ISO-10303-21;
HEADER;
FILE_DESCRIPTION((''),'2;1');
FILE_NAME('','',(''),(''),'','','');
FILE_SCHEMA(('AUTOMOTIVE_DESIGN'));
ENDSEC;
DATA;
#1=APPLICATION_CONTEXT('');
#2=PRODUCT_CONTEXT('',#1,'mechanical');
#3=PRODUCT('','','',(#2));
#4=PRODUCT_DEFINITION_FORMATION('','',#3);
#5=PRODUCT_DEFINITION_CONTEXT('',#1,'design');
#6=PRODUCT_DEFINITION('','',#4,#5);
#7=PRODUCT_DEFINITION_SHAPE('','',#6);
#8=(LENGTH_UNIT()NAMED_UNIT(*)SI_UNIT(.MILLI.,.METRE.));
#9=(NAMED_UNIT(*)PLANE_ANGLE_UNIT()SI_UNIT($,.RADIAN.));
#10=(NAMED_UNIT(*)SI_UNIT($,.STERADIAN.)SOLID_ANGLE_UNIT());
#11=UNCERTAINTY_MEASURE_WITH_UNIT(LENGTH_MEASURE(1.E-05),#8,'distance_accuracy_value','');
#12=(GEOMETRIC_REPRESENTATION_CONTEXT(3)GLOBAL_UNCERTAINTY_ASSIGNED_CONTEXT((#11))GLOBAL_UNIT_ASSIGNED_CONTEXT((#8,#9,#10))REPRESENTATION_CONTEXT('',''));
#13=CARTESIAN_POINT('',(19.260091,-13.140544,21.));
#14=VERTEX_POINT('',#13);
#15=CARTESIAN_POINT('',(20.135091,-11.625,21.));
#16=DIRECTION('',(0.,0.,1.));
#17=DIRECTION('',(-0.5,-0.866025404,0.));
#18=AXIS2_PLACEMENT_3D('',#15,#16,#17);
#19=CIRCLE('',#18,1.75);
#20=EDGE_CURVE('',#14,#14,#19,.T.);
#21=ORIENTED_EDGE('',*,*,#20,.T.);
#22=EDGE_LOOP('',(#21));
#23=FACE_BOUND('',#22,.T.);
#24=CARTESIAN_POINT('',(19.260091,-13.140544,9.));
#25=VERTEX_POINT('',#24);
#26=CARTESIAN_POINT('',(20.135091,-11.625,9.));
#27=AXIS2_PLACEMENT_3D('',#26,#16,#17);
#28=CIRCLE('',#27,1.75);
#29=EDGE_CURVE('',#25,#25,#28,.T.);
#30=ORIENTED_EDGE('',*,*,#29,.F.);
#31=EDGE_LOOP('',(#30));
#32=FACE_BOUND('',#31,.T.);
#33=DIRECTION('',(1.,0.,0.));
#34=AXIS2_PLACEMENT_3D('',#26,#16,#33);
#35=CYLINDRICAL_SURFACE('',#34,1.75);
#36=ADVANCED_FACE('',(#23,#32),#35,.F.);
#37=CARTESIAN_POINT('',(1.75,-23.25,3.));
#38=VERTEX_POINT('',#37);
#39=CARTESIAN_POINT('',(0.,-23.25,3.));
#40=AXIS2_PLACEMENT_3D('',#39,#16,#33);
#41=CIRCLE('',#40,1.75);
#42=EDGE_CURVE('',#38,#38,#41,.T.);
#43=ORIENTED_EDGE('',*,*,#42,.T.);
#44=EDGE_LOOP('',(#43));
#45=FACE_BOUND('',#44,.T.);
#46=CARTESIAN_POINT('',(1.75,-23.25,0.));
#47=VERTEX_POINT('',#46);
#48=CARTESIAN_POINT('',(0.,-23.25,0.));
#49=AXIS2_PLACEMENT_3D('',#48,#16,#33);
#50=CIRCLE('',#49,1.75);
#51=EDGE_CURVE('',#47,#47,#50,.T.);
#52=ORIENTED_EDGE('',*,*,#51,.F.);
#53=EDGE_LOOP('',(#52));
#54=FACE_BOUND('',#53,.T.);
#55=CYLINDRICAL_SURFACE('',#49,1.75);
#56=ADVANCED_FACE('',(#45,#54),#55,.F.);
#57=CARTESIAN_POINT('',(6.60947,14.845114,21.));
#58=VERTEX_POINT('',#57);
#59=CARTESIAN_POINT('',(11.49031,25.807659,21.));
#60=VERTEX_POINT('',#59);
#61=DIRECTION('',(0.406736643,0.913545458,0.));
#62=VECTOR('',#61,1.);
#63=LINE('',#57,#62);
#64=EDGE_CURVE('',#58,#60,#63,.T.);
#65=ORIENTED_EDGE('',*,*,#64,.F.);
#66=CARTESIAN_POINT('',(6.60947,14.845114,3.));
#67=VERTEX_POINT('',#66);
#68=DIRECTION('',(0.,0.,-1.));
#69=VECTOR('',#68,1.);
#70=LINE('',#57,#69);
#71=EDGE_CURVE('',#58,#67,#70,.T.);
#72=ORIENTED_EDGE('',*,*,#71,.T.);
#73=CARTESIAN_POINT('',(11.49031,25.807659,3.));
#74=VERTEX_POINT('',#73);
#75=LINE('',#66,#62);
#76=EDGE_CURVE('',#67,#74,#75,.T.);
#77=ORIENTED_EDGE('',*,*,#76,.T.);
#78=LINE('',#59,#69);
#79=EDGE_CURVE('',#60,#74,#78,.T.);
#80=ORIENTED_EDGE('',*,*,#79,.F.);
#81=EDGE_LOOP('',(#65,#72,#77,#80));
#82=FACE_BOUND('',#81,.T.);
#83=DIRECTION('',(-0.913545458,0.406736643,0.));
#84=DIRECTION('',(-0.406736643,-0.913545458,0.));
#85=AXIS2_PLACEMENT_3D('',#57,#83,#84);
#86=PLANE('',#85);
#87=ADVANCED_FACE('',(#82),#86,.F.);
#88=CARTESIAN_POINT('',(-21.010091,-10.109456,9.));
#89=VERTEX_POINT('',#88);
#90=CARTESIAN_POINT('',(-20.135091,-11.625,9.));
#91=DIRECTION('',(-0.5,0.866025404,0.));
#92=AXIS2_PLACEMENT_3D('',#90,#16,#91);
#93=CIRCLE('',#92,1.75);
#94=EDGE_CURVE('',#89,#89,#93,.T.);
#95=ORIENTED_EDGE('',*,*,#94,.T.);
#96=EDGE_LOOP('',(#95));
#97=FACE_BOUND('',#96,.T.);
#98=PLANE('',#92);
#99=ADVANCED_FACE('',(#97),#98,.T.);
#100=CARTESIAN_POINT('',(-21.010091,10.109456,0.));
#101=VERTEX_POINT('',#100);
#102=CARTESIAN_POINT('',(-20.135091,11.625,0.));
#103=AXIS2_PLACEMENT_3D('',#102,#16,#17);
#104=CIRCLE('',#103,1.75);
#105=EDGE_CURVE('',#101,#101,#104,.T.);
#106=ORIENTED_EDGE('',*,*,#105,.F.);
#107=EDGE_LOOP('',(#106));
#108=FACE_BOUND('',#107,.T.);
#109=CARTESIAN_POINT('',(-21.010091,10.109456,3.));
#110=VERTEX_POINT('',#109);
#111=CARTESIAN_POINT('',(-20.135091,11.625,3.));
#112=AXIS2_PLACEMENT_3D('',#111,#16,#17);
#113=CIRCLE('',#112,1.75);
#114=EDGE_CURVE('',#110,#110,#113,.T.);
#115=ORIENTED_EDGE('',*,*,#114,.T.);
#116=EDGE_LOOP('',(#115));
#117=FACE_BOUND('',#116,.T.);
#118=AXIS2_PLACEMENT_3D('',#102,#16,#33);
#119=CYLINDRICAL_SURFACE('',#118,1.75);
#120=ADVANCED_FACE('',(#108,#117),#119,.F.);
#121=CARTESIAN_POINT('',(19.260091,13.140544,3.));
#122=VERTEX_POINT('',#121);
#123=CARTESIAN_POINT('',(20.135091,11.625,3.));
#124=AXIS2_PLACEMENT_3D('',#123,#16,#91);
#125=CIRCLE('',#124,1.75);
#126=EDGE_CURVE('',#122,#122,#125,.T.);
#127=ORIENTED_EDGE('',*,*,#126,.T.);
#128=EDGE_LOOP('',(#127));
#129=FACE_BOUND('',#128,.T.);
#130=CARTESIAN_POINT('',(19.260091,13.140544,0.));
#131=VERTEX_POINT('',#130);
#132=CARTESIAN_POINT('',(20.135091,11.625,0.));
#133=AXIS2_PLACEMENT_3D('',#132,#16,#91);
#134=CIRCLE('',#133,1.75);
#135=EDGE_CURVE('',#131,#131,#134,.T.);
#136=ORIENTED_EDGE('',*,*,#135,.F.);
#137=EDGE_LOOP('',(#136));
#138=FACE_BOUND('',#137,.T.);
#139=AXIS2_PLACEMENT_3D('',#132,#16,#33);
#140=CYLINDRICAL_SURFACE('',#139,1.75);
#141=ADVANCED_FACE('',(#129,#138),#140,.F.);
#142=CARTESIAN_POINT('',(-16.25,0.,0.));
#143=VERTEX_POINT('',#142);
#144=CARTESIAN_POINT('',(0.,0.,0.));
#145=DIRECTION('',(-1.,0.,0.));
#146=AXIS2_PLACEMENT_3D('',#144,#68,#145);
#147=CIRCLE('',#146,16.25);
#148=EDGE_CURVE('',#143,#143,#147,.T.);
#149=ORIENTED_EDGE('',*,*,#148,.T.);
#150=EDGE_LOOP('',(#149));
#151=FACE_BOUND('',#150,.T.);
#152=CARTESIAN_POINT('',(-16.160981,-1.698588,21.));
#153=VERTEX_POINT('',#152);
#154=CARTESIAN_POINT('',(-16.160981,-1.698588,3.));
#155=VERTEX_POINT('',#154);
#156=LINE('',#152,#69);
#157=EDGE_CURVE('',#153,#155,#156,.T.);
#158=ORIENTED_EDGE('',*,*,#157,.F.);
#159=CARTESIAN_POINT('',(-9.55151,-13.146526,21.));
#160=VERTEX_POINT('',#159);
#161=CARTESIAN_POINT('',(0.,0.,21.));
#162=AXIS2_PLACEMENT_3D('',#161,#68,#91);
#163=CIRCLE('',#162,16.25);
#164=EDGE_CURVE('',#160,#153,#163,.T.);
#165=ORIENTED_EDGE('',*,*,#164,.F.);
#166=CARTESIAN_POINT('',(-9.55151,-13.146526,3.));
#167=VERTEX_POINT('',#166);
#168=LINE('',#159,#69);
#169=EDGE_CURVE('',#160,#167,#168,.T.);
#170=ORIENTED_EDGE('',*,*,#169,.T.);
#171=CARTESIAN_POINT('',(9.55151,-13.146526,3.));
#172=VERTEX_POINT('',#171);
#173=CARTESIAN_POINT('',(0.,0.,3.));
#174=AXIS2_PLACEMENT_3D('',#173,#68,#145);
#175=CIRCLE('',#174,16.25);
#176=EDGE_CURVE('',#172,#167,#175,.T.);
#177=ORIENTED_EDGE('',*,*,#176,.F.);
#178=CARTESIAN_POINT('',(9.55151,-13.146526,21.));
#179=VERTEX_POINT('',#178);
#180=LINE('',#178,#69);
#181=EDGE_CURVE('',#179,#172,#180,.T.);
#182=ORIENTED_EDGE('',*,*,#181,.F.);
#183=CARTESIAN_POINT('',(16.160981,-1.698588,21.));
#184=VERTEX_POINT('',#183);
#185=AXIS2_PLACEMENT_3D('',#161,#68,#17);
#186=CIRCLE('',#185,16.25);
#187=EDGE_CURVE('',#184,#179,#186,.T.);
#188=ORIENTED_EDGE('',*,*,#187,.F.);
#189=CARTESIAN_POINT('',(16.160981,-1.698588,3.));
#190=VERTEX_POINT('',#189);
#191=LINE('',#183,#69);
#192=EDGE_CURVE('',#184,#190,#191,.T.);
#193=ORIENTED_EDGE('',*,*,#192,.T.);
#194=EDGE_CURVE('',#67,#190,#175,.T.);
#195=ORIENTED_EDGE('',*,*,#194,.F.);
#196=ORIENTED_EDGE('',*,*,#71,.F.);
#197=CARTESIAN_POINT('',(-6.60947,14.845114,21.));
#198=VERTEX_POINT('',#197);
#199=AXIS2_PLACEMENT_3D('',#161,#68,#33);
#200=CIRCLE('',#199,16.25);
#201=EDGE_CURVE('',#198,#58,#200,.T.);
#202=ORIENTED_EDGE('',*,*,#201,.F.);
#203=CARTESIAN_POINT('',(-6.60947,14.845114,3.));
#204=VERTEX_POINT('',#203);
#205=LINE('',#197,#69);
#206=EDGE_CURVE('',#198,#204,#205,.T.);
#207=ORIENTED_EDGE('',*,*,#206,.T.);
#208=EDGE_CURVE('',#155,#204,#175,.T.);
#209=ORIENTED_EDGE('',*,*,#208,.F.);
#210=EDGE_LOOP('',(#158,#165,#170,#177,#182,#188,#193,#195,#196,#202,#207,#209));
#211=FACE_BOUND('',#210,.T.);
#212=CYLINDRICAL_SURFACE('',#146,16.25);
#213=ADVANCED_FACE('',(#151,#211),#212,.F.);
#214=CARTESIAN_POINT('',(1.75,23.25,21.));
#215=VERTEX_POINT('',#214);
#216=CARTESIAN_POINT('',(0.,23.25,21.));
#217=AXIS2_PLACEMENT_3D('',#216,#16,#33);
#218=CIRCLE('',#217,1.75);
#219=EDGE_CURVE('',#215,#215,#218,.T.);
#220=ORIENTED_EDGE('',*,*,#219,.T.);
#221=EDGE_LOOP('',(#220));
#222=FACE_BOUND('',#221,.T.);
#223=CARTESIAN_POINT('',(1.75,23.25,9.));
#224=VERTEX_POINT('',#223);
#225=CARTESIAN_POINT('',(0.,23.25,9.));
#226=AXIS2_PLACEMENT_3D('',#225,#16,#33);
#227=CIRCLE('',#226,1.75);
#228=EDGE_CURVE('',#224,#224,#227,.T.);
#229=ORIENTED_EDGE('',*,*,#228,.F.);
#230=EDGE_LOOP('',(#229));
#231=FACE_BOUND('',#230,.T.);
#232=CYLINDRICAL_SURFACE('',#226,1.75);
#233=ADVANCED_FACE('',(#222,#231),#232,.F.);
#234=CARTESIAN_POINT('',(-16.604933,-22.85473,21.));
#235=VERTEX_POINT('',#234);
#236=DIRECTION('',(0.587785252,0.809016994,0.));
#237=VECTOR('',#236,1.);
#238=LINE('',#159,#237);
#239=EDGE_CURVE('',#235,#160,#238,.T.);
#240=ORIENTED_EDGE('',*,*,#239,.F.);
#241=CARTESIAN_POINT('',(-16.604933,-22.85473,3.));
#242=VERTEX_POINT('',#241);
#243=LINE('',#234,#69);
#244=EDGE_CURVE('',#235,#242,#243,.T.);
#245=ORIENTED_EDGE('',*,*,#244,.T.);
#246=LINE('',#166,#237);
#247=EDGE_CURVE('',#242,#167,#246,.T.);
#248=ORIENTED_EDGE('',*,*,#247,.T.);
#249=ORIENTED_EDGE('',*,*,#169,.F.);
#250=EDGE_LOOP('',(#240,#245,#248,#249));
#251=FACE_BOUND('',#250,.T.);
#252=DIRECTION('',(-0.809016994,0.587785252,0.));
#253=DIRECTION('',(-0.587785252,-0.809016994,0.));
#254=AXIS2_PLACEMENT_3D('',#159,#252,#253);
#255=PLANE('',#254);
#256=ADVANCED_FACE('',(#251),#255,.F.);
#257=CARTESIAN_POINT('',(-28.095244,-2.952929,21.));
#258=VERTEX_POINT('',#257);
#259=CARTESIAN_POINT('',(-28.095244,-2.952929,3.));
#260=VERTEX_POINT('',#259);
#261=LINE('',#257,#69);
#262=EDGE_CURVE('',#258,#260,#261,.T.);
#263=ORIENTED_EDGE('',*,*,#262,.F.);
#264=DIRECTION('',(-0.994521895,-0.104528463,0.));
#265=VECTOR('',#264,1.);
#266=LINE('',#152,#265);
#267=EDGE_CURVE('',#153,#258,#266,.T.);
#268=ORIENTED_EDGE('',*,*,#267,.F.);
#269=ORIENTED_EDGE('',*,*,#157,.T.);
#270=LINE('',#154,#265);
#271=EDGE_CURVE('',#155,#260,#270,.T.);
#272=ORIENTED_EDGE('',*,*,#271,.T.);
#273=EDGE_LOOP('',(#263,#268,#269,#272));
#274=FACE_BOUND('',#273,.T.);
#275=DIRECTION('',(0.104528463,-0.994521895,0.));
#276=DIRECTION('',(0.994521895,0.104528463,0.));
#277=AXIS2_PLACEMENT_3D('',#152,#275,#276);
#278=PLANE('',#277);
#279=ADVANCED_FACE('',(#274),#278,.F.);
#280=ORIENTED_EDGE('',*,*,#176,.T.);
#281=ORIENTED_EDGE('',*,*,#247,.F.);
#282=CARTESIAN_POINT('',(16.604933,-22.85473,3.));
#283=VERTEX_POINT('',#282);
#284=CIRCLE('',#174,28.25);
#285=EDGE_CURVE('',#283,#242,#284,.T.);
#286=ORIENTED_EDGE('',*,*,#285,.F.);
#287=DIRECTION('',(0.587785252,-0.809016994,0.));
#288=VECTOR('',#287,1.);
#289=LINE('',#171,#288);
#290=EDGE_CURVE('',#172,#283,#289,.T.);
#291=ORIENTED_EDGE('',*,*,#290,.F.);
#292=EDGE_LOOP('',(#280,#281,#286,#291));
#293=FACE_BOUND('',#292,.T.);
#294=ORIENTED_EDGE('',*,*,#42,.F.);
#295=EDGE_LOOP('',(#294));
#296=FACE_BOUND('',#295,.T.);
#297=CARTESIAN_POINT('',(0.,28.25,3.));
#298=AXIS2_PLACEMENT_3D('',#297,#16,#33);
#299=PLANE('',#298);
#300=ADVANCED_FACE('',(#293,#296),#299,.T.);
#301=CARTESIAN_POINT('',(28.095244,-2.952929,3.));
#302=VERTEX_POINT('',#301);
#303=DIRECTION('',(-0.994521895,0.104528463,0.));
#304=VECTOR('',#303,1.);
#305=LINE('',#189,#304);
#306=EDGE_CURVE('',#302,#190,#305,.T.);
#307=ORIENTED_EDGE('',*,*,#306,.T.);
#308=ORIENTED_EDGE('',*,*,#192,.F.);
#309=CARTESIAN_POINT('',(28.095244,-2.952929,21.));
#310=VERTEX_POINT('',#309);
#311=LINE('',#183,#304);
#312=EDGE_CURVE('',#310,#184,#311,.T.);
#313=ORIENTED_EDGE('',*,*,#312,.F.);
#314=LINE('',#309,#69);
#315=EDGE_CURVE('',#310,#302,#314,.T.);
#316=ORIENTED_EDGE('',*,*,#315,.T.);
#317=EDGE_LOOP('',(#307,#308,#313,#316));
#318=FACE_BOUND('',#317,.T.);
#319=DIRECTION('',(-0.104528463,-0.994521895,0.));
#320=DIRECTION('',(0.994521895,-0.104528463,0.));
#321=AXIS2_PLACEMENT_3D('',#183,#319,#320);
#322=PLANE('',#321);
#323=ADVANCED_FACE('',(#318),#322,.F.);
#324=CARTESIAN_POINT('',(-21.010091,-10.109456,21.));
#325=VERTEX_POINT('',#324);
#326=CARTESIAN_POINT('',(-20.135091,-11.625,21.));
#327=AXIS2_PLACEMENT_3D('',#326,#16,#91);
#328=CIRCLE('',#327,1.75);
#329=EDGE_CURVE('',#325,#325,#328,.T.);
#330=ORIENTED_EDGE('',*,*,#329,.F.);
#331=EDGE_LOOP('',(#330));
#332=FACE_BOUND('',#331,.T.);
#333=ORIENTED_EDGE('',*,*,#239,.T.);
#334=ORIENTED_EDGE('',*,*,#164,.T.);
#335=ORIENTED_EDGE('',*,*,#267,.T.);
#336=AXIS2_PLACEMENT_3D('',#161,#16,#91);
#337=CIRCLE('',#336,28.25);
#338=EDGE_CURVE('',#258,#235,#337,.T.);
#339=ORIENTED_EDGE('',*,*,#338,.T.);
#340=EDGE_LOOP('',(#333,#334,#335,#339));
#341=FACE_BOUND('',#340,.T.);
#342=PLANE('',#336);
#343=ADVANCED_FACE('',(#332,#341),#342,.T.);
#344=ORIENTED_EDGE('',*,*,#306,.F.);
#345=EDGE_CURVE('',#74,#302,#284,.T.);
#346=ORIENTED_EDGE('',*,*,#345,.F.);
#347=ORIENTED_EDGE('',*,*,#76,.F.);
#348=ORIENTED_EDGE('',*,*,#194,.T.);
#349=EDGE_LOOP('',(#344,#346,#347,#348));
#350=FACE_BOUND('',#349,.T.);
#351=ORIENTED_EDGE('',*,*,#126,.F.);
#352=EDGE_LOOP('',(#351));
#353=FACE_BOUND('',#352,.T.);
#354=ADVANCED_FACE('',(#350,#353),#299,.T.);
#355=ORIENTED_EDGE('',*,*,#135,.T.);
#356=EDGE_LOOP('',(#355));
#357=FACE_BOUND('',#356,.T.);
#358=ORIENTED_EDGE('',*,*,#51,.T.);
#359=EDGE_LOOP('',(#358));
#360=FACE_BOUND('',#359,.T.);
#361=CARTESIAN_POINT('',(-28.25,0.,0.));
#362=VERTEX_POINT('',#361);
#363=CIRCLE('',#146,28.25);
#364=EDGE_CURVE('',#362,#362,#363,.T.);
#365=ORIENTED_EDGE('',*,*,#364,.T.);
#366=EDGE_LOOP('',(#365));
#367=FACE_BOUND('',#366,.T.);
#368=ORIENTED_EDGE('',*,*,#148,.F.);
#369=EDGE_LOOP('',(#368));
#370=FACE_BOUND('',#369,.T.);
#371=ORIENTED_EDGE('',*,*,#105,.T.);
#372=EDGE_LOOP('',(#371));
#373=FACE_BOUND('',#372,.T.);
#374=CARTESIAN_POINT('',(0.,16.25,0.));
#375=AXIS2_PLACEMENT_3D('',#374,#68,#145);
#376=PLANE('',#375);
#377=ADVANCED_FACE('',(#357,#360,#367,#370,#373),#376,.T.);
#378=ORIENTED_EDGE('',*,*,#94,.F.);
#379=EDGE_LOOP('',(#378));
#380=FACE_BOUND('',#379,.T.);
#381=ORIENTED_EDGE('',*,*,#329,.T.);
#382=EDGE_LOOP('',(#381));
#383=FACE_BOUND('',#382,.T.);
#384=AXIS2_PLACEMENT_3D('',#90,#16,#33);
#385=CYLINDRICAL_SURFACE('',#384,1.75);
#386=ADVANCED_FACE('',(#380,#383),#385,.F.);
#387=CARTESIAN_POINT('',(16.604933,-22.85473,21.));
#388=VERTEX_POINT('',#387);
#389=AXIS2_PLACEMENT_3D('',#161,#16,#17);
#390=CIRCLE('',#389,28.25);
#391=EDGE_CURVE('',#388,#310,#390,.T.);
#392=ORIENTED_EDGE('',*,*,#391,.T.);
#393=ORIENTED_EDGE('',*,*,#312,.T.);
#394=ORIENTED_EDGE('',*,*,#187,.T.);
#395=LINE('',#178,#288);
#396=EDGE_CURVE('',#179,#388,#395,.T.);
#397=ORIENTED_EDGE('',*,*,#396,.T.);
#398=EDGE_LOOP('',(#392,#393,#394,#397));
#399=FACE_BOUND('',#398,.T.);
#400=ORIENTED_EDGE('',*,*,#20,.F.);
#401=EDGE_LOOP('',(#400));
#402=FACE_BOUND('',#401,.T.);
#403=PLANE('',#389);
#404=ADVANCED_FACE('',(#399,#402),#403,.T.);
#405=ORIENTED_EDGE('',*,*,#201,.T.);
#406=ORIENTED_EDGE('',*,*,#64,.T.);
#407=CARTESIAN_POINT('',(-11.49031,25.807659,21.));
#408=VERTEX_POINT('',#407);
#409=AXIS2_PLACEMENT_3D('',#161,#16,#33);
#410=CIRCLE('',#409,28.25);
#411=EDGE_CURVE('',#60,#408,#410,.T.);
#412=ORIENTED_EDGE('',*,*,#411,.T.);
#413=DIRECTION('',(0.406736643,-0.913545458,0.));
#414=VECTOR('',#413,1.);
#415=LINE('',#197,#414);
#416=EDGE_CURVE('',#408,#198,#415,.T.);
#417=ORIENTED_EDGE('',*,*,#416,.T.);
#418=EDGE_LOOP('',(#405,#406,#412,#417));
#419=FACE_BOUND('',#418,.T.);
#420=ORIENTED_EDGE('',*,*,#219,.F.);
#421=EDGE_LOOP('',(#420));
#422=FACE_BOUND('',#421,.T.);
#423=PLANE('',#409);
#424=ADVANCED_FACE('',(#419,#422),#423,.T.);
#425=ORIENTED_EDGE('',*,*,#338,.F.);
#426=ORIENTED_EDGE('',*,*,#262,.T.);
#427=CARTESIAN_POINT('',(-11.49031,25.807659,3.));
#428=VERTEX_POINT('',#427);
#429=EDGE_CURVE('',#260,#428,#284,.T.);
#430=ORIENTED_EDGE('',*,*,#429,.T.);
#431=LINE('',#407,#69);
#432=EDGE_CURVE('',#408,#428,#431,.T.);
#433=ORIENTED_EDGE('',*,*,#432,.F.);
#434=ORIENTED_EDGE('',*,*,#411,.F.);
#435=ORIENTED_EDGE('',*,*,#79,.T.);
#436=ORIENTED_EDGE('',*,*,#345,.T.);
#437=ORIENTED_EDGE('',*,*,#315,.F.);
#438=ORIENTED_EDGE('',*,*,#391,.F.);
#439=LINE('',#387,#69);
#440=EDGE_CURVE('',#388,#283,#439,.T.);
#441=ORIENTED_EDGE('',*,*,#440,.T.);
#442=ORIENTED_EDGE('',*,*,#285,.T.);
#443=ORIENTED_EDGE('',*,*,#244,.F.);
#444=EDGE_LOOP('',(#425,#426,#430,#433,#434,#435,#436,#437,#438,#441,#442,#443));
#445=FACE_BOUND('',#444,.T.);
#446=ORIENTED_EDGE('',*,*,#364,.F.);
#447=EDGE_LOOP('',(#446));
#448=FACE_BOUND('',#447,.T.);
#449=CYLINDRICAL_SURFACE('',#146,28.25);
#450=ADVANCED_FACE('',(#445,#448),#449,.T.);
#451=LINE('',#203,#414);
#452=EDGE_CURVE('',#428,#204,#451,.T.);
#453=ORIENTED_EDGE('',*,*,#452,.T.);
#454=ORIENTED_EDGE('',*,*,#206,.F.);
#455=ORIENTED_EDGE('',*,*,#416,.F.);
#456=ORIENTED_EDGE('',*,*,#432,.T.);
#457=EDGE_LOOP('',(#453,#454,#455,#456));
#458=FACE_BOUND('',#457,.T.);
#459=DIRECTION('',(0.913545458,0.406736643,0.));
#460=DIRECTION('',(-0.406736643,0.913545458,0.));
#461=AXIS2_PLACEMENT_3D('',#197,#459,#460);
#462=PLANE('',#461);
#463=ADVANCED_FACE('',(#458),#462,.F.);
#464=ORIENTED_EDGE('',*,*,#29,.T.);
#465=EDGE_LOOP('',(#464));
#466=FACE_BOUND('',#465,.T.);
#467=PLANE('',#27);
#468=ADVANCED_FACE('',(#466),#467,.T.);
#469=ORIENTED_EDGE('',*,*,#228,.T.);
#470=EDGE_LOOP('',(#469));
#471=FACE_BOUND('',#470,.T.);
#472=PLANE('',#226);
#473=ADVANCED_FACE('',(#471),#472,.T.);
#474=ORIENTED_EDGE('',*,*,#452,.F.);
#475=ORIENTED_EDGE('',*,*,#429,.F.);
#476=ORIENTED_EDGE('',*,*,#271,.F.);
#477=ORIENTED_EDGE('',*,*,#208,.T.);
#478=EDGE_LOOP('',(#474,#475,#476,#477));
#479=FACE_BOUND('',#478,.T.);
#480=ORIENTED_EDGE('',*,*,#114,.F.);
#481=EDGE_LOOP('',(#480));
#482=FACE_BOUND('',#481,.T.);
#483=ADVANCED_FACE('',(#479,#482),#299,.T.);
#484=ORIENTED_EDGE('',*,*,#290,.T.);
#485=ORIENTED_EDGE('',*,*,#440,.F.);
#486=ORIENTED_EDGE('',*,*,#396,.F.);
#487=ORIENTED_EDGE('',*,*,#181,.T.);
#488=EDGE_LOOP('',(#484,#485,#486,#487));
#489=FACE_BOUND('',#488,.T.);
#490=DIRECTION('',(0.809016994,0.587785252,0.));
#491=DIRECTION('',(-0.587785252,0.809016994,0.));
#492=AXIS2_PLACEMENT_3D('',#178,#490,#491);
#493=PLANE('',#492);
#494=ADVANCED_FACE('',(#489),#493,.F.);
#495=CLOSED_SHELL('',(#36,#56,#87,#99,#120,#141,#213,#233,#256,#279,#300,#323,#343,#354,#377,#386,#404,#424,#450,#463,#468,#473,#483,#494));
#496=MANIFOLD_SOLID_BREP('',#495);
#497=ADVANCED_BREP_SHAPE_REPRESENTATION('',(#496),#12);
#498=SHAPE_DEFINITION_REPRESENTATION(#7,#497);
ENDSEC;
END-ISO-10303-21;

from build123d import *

# Parameters (mm, degrees)
SKETCH2_W           = 3
SKETCH2_H           = 12
BOSS_EXTRUDE1_DEPTH = 18
CIRPATTERN1_COUNT   = 3
SKETCH4_R           = 1.75
CUT_EXTRUDE1_DEPTH  = 12
CIRPATTERN2_COUNT   = 3
SKETCH5_R           = 1.75
CUT_EXTRUDE2_DEPTH  = 44.819230938
CIRPATTERN3_COUNT   = 3


with BuildPart() as part:
    # Sketch2 → Revolve1 (revolve)
    with BuildSketch(Plane(origin=(0, 0, 0), x_dir=(0, 0, -1), z_dir=(1, 0, 0)), mode=Mode.PRIVATE) as revolve1_sk:
        with Locations((-1.5, 22.25)):
            Rectangle(SKETCH2_W, SKETCH2_H)
    revolve(revolve1_sk.sketch.rotate(Axis((0, 0, 0), (0, 0, 1)), 90), axis=Axis((0, 0, 0), (0, 0, 1)))

    # Sketch3 → Boss-Extrude1 (add)
    with BuildSketch(Plane.XY.offset(3)):
        with BuildLine():
            Line((-6.60947045, 14.845113687), (-11.490310167, 25.807659178))
            ThreePointArc((-11.490310167, 25.807659178), (0, 28.25), (11.490310167, 25.807659178))
            Line((11.490310167, 25.807659178), (6.60947045, 14.845113687))
            ThreePointArc((6.60947045, 14.845113687), (0, 16.25), (-6.60947045, 14.845113687))
        make_face()
    boss_extrude1 = extrude(amount=BOSS_EXTRUDE1_DEPTH)

    # CirPattern1: Boss-Extrude1 ×3 about axis
    cirpattern1_axis = Axis((0, 0, 0), (0, 0, 1))
    for i in range(1, CIRPATTERN1_COUNT):
        add(boss_extrude1.rotate(cirpattern1_axis, i * 360 / CIRPATTERN1_COUNT))

    # Sketch4 → Cut-Extrude1 (cut)
    with BuildSketch(Plane.XY.offset(21)):
        with Locations((0, 23.25)):
            Circle(SKETCH4_R)
    cut_extrude1 = extrude(amount=-CUT_EXTRUDE1_DEPTH, mode=Mode.SUBTRACT)

    # CirPattern2: Cut-Extrude1 ×3 about axis
    cirpattern2_axis = Axis((0, 0, 0), (0, 0, 1))
    for i in range(1, CIRPATTERN2_COUNT):
        add(cut_extrude1.rotate(cirpattern2_axis, i * 360 / CIRPATTERN2_COUNT), mode=Mode.SUBTRACT)

    # Sketch5 → Cut-Extrude2 (cut, through all)
    with BuildSketch(Plane.XY.offset(3)):
        with Locations((0, -23.25)):
            Circle(SKETCH5_R)
    cut_extrude2 = extrude(amount=-CUT_EXTRUDE2_DEPTH, mode=Mode.SUBTRACT)

    # CirPattern3: Cut-Extrude2 ×3 about axis
    cirpattern3_axis = Axis((0, 0, 0), (0, 0, 1))
    for i in range(1, CIRPATTERN3_COUNT):
        add(cut_extrude2.rotate(cirpattern3_axis, i * 360 / CIRPATTERN3_COUNT), mode=Mode.SUBTRACT)


solid = part.part
